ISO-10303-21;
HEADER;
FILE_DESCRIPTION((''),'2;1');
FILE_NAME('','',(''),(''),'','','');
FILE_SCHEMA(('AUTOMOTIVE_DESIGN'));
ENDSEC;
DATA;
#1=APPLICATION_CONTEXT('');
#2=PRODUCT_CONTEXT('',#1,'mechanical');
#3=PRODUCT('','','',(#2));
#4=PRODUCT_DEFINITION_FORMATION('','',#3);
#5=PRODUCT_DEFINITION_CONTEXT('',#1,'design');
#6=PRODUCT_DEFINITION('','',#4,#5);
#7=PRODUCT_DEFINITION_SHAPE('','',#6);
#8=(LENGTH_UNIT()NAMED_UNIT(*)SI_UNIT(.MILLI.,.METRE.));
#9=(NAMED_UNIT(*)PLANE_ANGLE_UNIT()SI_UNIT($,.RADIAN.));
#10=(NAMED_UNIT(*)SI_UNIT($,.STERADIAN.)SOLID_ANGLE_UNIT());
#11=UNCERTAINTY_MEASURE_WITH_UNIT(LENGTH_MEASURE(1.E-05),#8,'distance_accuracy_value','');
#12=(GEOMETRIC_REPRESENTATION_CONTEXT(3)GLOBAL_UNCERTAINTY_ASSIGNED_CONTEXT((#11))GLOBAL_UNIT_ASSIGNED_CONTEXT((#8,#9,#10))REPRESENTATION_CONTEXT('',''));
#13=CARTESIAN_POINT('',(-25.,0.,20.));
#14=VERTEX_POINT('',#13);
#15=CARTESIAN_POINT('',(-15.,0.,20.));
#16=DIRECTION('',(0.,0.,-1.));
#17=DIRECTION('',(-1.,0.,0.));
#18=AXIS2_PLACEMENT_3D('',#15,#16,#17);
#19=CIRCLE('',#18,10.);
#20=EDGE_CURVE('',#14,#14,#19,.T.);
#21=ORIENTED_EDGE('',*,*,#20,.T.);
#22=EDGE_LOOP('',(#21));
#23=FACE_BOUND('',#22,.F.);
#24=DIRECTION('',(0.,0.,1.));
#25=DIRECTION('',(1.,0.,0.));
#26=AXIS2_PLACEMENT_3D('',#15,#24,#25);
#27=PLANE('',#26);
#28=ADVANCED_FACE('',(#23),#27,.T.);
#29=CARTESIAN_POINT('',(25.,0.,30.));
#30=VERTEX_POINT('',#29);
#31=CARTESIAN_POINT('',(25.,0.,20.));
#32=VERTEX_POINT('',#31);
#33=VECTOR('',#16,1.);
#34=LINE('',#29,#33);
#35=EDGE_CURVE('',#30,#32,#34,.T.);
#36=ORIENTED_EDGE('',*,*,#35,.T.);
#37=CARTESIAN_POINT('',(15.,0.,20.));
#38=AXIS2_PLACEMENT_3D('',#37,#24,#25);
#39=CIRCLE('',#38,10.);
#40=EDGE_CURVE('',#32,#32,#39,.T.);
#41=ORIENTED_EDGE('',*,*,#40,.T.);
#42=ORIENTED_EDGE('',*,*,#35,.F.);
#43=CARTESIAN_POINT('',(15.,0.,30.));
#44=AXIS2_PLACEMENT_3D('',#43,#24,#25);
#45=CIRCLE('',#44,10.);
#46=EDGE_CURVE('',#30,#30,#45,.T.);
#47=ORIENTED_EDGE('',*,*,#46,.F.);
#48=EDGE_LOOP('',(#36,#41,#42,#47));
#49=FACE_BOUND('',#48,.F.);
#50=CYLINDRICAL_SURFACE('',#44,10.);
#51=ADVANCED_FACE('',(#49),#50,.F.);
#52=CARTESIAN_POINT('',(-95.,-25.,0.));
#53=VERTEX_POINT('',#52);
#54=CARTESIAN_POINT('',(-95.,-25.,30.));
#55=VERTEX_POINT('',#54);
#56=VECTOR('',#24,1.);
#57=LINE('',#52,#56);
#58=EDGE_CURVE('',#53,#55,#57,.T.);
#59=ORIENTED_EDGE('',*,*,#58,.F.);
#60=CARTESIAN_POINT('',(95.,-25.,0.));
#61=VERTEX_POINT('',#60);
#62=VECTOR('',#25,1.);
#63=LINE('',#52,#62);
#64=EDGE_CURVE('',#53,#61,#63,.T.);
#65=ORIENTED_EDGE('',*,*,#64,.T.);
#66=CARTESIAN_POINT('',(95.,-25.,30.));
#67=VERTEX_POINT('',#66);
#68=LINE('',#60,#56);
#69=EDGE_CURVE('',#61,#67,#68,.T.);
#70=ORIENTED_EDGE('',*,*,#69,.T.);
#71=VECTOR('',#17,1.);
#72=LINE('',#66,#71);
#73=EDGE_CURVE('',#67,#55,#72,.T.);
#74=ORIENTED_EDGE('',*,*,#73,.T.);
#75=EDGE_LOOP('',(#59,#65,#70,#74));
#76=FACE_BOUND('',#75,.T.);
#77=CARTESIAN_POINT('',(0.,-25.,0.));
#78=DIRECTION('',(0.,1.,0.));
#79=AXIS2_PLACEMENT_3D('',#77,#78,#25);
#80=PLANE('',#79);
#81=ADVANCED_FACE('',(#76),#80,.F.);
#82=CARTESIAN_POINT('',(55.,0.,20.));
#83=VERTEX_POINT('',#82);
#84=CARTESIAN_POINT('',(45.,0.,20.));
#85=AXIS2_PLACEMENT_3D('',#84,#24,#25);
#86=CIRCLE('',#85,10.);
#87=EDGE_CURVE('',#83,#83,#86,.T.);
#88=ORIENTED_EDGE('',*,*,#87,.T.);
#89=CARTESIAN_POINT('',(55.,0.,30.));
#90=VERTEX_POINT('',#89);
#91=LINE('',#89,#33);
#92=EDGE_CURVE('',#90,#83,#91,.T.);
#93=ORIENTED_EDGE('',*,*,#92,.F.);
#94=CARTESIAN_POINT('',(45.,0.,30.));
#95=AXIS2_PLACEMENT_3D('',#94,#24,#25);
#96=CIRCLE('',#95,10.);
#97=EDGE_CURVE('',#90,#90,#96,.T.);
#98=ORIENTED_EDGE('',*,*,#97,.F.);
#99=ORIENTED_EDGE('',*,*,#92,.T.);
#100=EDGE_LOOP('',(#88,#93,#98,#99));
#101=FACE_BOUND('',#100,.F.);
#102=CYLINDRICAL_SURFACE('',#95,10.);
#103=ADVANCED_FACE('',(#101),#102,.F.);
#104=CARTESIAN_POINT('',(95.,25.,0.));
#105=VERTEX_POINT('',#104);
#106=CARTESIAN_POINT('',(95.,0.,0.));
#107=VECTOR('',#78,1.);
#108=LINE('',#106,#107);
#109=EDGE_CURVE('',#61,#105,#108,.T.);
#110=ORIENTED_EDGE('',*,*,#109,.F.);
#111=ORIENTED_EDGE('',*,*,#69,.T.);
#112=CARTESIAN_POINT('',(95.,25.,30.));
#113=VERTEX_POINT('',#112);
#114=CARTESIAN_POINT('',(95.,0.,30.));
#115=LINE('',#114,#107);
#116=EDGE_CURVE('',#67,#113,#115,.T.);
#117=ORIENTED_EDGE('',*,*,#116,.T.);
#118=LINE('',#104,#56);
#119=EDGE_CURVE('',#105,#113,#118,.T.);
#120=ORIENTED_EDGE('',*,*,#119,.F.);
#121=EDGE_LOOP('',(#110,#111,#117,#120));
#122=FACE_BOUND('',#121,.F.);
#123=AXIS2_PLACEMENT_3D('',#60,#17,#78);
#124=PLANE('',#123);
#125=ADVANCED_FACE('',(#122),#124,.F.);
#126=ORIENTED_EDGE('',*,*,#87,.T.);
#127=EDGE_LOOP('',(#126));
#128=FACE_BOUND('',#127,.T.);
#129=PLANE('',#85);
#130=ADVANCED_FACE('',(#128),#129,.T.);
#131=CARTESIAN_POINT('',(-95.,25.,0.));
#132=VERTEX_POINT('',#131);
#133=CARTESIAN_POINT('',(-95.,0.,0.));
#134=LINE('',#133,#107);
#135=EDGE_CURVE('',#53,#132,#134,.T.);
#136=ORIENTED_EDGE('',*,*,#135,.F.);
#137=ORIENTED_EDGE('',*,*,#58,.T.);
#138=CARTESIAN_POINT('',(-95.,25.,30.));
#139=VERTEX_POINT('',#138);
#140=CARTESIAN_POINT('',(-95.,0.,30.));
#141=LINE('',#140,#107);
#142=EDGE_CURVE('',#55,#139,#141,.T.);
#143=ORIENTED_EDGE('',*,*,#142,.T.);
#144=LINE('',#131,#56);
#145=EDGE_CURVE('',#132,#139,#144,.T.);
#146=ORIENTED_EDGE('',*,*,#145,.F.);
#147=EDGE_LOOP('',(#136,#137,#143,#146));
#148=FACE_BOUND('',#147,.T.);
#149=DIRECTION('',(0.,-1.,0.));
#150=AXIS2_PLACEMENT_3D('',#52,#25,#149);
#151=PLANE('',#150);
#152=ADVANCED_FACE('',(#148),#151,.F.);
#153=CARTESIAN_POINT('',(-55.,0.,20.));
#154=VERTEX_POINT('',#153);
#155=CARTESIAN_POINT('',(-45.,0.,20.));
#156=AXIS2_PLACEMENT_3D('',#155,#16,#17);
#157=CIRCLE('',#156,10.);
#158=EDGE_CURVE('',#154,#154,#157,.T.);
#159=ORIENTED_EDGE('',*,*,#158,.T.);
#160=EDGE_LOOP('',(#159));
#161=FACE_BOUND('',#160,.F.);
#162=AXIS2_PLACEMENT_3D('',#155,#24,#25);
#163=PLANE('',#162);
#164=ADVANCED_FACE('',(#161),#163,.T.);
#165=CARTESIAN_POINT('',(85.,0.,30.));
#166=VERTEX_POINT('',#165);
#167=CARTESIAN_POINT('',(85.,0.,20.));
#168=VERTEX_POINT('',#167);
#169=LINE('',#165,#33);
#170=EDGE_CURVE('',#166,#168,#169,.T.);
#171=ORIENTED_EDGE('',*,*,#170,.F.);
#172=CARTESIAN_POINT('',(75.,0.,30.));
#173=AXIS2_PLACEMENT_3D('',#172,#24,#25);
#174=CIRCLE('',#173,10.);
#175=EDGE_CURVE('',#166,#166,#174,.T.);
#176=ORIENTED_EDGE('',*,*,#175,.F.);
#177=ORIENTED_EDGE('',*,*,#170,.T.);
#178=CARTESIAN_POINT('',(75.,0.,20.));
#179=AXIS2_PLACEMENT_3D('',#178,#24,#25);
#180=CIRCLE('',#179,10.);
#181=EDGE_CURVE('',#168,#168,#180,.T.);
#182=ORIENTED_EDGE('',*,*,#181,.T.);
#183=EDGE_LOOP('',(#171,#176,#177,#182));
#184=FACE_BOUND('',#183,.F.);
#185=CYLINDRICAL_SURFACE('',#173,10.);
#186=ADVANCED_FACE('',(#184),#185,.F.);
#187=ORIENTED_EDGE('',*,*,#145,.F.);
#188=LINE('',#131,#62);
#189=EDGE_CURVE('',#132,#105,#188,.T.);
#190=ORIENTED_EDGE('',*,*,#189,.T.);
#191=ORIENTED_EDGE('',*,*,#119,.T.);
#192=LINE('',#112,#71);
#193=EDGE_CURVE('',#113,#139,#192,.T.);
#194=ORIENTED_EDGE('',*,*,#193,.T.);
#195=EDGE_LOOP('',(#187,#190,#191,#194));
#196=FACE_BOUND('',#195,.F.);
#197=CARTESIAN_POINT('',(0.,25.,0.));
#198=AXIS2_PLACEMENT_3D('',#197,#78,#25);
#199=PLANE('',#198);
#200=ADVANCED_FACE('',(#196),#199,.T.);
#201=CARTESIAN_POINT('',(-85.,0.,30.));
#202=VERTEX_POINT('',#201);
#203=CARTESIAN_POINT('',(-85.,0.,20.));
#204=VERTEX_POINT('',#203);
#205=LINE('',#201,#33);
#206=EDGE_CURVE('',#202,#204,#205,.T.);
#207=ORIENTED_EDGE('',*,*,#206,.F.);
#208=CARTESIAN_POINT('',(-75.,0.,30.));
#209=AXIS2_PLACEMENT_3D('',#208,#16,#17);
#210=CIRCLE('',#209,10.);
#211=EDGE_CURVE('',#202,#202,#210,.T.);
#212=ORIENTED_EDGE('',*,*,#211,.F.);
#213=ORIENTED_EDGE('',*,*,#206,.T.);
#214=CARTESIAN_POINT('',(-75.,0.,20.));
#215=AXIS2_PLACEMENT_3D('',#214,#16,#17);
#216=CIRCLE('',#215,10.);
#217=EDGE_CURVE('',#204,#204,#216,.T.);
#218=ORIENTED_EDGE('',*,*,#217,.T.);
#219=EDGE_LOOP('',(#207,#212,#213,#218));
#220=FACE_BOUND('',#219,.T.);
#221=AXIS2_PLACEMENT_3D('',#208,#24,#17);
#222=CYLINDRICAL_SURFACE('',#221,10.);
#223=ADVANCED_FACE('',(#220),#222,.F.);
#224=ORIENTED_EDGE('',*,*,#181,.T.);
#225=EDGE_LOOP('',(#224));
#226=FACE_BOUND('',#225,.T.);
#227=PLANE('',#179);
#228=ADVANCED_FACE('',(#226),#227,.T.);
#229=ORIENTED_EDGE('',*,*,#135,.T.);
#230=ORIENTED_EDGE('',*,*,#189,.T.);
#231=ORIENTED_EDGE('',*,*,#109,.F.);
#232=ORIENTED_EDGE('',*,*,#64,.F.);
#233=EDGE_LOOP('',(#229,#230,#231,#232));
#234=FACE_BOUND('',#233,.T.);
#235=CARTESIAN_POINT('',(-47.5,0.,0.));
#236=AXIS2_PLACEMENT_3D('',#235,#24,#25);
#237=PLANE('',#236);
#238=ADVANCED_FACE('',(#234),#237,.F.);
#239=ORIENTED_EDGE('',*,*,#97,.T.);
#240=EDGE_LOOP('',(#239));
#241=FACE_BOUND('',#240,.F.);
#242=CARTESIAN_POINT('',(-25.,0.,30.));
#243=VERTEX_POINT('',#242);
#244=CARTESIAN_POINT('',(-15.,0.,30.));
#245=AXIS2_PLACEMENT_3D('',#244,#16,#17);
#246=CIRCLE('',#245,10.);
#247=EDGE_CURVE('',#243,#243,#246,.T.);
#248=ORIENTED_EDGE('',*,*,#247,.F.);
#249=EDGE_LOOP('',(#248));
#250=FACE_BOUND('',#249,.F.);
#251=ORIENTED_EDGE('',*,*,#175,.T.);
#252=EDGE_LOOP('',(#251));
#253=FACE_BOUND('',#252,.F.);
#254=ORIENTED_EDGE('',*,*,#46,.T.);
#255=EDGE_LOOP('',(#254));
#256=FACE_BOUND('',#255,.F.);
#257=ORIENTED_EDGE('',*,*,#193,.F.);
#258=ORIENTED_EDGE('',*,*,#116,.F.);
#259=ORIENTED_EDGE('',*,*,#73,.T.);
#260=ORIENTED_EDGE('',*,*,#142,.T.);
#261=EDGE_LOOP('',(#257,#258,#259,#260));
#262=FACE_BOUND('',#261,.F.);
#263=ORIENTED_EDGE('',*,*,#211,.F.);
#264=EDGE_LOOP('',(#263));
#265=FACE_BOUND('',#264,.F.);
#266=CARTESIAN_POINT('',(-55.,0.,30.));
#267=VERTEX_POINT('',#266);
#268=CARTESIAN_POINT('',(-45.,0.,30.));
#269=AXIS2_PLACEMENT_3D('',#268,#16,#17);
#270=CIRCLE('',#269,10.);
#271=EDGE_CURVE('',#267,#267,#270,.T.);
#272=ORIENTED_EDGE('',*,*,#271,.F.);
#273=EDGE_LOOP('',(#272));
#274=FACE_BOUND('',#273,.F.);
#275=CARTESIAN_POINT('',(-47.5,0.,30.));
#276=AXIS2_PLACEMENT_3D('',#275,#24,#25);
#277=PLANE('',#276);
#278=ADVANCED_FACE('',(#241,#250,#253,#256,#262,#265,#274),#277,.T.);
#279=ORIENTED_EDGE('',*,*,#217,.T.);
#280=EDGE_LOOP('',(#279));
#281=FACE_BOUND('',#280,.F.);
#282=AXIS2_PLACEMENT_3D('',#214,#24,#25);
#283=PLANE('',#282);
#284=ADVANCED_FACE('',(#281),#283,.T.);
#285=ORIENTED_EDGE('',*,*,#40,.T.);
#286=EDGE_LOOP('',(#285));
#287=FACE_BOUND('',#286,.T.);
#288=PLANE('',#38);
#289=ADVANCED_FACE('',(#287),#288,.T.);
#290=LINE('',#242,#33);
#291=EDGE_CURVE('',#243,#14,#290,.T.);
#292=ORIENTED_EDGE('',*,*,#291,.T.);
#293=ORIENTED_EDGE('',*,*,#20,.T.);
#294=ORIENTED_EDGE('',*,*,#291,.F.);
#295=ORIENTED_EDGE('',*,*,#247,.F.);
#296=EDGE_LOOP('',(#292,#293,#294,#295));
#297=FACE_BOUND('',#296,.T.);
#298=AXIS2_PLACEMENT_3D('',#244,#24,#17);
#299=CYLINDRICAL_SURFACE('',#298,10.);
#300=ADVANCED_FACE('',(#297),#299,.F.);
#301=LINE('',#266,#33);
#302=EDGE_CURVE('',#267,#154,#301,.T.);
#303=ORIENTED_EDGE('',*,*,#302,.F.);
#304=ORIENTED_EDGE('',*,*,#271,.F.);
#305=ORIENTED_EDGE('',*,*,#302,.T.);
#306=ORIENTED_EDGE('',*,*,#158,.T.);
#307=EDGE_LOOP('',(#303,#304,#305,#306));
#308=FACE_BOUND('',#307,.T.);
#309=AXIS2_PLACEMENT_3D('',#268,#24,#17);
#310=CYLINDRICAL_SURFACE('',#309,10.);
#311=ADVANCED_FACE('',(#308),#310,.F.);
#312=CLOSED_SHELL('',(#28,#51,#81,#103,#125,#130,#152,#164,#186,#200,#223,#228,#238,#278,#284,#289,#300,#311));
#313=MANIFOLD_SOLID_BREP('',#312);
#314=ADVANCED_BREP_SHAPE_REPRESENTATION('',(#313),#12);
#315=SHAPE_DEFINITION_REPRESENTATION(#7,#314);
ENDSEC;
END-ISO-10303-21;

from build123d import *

# Parameters (mm, degrees)
F0_W     = 95
F0_H     = 50
F1_DEPTH = 30
F2_R     = 10
F3_DEPTH = 10


with BuildPart() as f1:
    # F0 (on Top) → F1 (new body)
    with BuildSketch(Plane.XY):
        with Locations((47.5, 0)):
            Rectangle(F0_W, F0_H)
    extrude(amount=F1_DEPTH)

    # F2 (on face) → F3 (cut)
    with BuildSketch(Plane.XY.offset(30)):
        with Locations((15, 0)):
            Circle(F2_R)
        with Locations((45, 0)):
            Circle(F2_R)
        with Locations((75, 0)):
            Circle(F2_R)
    extrude(amount=-F3_DEPTH, mode=Mode.SUBTRACT)

    # F4: F1 across face


with BuildPart() as f1_1:
    add(f1.part)
    add(f1.part.mirror(Plane(origin=(0, 0, 15), x_dir=(0, -1, 0), z_dir=(-1, 0, 0))))


solid = f1_1.part
